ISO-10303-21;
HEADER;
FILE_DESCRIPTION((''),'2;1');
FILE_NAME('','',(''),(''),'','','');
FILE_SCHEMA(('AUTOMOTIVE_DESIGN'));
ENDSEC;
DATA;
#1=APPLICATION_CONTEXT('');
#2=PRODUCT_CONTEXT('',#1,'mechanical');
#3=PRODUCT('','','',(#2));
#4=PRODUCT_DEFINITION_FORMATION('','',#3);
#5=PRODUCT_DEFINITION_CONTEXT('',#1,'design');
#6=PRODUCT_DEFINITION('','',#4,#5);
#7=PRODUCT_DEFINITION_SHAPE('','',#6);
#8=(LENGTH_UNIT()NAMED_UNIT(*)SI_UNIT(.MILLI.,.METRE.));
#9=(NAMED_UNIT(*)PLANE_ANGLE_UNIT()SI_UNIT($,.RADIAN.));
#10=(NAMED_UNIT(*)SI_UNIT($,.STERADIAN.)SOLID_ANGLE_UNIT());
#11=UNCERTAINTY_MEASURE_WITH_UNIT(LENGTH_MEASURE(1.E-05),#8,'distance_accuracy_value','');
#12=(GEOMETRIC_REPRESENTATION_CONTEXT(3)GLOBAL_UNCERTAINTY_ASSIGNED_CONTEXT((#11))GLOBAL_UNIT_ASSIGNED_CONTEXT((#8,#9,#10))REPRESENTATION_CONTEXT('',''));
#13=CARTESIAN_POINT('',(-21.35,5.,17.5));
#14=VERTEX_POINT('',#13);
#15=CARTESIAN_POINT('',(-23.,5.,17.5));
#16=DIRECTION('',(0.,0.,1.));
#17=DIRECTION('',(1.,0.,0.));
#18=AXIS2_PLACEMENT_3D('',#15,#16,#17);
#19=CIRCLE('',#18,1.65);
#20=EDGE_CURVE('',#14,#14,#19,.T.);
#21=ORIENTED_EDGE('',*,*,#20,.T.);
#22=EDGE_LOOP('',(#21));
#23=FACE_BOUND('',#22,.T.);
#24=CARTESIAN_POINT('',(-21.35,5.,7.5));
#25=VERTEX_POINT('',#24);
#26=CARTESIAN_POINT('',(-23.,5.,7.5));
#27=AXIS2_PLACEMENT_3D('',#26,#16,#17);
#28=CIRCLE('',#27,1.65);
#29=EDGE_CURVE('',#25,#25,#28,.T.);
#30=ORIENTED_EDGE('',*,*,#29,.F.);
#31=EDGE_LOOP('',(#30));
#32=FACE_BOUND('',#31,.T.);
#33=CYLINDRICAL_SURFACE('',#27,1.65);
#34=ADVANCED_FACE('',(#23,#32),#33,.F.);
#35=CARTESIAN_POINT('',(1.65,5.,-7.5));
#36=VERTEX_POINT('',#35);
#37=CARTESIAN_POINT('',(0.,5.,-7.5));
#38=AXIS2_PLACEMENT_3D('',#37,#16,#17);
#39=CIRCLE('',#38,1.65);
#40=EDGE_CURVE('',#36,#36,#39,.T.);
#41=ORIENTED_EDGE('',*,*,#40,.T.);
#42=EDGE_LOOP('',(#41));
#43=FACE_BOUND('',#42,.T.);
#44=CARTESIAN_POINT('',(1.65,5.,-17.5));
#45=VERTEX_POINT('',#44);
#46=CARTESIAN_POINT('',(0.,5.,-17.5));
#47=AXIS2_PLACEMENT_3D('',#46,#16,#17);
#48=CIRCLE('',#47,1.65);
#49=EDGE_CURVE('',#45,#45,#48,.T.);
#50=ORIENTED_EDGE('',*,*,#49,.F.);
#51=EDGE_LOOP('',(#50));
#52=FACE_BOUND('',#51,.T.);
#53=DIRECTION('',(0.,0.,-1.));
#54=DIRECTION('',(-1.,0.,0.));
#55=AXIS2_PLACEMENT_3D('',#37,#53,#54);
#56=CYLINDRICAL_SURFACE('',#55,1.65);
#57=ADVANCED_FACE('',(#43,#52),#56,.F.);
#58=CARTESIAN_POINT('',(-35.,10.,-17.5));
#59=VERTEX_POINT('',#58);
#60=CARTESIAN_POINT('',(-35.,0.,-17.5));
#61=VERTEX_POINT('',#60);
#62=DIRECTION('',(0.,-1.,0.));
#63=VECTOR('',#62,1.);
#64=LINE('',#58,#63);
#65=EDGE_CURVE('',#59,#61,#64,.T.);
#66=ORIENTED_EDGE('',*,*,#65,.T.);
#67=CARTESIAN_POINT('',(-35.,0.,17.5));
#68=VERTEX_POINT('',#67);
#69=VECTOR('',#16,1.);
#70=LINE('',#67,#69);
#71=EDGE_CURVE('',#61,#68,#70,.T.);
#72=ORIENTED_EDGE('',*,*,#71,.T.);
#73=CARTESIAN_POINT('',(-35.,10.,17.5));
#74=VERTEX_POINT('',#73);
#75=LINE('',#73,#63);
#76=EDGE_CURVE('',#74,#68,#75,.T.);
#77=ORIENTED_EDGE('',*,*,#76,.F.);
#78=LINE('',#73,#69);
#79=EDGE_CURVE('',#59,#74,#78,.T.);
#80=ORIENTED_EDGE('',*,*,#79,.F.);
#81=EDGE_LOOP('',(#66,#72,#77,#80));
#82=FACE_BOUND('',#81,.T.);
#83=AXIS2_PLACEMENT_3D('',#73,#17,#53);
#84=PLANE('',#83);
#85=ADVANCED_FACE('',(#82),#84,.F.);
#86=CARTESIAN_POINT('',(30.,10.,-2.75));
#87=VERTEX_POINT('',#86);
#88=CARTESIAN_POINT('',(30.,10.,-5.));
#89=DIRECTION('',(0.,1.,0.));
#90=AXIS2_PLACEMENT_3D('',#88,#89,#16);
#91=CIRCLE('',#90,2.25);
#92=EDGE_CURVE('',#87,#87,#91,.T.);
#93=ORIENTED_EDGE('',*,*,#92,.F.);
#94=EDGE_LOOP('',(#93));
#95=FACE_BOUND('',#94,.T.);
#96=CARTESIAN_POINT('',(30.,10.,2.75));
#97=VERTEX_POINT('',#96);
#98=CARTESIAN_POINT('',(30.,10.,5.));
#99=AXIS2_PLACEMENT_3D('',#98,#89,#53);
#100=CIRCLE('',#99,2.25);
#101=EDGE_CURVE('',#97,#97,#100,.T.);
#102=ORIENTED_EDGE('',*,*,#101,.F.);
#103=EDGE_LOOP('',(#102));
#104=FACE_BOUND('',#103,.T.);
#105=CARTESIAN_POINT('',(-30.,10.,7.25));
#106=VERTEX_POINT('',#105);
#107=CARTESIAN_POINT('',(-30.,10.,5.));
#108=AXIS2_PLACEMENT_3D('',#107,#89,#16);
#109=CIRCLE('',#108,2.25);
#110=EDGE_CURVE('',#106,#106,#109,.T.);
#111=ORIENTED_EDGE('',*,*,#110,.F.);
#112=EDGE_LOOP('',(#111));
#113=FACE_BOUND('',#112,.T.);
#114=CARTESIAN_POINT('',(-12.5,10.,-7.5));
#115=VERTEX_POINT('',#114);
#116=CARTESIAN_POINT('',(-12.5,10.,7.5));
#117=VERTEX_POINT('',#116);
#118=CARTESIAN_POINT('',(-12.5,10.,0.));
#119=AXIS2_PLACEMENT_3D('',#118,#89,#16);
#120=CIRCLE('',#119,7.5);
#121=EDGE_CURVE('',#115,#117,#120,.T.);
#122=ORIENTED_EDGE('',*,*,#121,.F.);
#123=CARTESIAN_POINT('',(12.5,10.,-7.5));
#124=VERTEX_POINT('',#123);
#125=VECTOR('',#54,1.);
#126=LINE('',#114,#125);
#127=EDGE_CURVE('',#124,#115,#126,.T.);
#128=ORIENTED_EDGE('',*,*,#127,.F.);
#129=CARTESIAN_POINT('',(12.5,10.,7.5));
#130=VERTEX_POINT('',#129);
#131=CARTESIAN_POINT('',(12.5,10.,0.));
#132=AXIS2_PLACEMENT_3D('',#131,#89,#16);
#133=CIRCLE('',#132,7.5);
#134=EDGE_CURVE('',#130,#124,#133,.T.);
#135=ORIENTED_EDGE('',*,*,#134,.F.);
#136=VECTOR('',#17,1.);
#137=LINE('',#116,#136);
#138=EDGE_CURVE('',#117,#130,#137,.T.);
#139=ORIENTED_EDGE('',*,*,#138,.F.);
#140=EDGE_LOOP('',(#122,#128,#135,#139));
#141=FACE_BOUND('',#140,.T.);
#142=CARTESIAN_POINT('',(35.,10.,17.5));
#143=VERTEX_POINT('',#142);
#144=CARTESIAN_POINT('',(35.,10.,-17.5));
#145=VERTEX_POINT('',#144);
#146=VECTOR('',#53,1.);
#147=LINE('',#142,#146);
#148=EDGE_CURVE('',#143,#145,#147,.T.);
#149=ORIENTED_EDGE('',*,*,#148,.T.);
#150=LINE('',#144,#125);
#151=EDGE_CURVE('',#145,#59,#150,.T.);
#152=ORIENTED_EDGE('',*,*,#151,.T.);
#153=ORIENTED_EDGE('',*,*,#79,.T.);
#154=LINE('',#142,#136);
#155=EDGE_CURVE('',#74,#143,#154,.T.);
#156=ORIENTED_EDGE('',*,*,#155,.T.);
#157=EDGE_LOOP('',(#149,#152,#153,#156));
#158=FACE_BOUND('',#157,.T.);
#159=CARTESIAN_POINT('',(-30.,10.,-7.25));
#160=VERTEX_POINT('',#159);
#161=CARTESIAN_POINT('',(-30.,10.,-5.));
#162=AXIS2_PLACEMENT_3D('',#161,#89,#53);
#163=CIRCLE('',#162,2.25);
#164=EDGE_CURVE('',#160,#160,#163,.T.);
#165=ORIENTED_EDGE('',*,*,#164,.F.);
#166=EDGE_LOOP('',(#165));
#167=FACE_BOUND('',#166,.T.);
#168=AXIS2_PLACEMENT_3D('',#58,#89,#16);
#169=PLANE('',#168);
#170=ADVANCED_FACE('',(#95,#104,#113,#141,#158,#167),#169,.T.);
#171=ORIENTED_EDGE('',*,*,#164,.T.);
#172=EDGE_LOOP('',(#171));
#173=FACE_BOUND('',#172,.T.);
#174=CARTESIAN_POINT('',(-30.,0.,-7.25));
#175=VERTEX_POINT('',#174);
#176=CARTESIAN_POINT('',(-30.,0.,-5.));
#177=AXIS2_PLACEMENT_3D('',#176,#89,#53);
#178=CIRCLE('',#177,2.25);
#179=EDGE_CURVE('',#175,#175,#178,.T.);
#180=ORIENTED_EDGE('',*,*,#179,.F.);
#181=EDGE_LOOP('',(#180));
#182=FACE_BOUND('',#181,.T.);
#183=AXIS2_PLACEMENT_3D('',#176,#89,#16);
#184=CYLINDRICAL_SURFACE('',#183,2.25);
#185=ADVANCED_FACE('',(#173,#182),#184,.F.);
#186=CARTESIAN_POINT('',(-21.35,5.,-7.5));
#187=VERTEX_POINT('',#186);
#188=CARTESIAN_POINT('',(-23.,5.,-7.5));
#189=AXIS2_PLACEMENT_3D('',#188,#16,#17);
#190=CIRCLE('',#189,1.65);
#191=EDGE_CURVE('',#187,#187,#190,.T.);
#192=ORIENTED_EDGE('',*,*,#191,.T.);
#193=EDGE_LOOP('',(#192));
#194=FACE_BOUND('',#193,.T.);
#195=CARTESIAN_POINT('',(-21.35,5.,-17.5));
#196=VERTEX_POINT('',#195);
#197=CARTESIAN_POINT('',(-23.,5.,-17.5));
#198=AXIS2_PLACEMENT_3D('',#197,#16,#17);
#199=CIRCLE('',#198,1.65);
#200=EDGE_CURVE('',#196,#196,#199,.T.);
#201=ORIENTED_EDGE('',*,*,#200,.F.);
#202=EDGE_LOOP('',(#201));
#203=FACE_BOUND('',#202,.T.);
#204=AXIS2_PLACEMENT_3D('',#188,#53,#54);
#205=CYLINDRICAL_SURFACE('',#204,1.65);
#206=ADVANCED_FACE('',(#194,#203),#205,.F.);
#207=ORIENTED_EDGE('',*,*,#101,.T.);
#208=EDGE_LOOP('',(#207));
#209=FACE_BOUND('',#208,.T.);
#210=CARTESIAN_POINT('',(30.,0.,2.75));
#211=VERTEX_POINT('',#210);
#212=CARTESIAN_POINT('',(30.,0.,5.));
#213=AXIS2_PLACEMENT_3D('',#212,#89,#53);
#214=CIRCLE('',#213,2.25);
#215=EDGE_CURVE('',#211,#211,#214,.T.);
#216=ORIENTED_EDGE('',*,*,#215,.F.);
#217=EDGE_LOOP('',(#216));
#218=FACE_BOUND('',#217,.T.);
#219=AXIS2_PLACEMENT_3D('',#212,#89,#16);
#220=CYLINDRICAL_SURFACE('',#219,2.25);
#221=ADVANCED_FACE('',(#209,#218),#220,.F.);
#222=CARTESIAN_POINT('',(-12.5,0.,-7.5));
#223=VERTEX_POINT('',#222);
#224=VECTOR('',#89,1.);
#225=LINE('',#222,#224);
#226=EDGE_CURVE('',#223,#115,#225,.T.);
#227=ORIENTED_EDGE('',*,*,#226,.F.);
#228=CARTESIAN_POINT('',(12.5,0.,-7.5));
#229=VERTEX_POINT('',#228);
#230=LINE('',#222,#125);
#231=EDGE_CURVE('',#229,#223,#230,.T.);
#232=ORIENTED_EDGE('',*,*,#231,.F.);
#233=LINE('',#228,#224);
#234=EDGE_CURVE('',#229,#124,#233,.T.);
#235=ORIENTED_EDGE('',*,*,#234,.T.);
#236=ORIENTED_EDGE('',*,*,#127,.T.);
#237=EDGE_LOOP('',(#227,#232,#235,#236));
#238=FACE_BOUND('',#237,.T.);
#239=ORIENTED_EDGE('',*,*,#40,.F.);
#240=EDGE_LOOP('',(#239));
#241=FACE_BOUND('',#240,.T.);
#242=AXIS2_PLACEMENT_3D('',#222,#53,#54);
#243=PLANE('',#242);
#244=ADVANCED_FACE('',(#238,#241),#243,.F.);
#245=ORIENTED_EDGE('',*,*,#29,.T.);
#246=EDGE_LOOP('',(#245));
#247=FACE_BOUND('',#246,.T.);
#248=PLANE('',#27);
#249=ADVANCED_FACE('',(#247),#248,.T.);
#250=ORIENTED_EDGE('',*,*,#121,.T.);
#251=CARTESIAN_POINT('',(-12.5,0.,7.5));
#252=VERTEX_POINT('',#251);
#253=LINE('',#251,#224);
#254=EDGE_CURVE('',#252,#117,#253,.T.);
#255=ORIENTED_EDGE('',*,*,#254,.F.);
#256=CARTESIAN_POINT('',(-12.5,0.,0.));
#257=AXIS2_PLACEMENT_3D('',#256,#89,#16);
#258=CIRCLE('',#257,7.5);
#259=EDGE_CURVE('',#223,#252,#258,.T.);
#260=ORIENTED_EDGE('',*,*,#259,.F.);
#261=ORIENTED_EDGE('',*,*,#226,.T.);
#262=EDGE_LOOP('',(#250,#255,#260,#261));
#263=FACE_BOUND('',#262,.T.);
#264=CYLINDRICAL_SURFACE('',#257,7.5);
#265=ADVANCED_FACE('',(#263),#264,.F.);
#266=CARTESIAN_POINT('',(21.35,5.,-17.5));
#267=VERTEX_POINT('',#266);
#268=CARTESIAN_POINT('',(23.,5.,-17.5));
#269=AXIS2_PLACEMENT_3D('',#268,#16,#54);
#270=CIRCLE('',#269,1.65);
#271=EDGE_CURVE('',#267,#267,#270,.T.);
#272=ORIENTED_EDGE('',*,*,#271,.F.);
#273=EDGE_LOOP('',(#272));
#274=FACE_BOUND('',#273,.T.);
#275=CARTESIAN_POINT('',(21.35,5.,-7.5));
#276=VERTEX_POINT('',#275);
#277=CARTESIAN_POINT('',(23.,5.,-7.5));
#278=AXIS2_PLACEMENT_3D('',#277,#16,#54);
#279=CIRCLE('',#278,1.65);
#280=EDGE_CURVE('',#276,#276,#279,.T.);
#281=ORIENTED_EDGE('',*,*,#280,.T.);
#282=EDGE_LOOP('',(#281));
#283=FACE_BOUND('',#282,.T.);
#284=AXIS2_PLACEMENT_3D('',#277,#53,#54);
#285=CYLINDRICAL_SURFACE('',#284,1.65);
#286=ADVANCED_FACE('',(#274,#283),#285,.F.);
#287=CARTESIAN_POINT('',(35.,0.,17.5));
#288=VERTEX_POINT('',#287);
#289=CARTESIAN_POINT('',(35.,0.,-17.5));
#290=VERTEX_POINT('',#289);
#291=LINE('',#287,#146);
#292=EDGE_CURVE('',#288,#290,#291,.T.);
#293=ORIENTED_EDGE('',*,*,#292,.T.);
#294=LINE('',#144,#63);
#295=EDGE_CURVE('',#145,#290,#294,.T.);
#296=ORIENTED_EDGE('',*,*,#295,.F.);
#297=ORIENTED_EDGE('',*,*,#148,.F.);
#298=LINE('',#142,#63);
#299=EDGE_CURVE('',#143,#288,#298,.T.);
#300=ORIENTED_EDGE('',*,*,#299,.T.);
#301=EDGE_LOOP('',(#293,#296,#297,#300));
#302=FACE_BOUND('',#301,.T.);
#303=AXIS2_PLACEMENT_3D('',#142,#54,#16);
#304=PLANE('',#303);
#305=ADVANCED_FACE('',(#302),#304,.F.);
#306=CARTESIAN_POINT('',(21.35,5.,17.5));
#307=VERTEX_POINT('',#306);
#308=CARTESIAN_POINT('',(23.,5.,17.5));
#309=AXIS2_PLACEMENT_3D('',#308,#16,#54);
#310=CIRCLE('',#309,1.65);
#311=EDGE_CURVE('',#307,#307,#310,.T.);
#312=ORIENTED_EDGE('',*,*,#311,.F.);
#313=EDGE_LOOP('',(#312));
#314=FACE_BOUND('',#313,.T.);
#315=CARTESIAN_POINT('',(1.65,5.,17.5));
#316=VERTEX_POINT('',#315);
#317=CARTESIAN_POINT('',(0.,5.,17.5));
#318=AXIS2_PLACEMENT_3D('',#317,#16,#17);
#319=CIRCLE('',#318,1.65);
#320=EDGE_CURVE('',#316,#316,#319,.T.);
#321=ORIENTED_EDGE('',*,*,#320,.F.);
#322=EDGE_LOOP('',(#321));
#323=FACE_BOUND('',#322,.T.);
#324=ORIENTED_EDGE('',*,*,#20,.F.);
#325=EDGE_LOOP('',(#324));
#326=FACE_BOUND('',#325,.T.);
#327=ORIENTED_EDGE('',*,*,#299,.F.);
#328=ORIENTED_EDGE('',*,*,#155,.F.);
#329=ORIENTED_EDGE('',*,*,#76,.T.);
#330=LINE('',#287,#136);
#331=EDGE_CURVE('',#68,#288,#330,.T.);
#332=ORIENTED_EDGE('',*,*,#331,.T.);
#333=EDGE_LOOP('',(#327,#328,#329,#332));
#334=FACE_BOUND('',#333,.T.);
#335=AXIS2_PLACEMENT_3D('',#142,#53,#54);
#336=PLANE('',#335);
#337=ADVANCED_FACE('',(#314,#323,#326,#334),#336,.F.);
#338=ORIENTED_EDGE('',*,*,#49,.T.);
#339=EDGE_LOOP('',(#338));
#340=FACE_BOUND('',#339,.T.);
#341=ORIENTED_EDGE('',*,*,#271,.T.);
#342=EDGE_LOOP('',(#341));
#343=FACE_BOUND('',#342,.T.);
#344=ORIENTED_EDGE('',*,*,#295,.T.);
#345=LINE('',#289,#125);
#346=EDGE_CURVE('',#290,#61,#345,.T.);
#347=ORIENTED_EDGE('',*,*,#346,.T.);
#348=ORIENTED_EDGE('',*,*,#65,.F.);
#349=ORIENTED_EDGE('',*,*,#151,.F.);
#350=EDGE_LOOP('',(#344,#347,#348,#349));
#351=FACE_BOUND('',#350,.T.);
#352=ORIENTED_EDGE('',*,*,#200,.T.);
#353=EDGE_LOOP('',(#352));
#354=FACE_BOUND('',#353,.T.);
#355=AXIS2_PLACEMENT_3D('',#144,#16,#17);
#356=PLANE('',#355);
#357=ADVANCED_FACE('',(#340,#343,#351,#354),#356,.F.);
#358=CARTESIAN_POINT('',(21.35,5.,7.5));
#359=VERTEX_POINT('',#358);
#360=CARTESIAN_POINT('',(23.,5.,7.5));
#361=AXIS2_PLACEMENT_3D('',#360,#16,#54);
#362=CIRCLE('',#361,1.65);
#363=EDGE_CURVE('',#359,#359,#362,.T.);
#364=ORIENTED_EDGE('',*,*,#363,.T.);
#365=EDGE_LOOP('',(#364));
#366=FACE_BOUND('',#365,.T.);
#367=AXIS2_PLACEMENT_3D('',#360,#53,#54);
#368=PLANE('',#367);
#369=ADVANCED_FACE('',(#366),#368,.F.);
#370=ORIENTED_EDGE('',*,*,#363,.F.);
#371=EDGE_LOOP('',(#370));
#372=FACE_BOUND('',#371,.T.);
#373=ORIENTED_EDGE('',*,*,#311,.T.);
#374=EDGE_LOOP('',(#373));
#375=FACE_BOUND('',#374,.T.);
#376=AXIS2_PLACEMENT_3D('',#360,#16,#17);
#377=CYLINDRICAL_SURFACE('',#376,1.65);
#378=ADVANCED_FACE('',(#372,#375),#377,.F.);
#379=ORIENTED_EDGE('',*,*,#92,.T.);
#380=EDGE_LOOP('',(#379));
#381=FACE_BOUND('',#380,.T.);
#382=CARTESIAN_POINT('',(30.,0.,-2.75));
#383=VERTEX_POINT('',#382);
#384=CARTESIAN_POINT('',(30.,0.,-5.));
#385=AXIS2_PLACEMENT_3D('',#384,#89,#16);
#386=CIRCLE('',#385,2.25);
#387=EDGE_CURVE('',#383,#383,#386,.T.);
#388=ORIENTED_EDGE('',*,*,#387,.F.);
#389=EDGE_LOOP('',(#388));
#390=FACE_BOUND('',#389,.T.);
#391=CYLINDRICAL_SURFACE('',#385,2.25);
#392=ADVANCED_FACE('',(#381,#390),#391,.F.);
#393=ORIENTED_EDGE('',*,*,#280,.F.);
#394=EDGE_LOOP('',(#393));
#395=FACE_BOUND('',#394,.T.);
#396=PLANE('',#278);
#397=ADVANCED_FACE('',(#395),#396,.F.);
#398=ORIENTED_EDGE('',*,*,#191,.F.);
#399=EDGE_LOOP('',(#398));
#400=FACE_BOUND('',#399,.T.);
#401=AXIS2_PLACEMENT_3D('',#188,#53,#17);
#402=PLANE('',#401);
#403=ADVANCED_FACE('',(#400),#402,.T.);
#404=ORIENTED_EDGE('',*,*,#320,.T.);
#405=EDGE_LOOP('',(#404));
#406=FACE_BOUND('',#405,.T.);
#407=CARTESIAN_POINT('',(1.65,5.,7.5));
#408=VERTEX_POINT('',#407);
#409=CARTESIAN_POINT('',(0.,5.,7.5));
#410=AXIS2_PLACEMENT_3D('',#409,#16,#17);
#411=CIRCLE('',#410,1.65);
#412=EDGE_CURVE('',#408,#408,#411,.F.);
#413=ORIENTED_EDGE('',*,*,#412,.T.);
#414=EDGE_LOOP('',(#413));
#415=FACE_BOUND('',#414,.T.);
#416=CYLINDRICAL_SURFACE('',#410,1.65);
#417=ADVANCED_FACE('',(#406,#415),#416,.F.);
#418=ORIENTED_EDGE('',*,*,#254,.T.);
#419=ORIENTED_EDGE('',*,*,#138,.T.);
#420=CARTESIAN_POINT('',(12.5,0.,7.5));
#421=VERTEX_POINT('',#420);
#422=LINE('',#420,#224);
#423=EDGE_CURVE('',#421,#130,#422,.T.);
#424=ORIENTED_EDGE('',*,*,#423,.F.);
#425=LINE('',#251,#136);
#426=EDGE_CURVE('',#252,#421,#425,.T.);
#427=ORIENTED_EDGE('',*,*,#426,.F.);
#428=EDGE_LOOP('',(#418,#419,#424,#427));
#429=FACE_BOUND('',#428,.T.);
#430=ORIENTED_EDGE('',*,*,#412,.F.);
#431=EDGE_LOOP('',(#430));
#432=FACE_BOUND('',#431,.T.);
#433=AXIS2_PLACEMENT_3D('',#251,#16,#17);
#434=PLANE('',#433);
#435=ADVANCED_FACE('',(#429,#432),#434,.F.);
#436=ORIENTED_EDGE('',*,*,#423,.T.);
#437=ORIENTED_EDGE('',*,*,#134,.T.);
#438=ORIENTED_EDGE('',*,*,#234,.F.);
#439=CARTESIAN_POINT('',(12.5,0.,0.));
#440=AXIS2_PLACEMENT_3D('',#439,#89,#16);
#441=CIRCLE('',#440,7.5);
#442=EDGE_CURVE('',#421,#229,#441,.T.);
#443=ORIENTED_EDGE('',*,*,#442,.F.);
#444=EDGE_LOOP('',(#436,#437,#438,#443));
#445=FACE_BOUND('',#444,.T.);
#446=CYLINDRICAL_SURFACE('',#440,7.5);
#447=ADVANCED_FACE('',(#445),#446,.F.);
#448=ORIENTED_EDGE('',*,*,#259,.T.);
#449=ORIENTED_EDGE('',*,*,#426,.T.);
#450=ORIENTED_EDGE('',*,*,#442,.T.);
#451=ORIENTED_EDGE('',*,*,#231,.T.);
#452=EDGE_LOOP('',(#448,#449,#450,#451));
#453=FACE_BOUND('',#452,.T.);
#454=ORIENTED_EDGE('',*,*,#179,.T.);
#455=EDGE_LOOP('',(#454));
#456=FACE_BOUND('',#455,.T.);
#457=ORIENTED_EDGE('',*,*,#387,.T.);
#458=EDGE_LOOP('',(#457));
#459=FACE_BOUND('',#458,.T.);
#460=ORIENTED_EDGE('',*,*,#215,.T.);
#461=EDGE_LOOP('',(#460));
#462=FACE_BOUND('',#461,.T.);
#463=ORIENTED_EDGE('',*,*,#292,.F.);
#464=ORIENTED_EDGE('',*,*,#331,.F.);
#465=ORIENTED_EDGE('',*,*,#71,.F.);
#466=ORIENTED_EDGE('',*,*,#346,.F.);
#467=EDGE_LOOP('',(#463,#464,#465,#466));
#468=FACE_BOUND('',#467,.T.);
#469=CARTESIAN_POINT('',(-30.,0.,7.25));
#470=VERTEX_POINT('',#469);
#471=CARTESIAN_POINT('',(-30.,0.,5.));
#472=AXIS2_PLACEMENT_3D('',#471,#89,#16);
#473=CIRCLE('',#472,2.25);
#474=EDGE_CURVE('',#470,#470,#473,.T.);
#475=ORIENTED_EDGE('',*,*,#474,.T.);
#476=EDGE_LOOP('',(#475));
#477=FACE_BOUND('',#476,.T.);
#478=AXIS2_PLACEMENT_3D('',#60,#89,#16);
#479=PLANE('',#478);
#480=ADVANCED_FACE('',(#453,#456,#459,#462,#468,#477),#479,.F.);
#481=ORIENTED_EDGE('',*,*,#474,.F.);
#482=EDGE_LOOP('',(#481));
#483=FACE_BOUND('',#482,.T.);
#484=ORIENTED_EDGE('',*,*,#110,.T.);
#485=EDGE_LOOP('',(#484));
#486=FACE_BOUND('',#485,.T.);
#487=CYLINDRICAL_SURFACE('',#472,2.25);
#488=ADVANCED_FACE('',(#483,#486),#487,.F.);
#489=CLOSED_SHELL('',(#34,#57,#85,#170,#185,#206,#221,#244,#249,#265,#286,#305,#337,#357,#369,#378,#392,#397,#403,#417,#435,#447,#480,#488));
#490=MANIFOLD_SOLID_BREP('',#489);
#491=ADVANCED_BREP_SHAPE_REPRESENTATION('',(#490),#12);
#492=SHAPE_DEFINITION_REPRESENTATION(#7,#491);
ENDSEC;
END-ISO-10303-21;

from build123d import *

# Parameters (mm, degrees)
SKETCH1_W           = 70
SKETCH1_H           = 35
BOSS_EXTRUDE1_DEPTH = 10
SKETCH2_R           = 1.65
CUT_EXTRUDE1_DEPTH  = 10
CUT_EXTRUDE2_DEPTH  = 10
SKETCH4_R           = 2.25
CUT_EXTRUDE3_DEPTH  = 10


with BuildPart() as part:
    # Sketch1 → Boss-Extrude1 (new body)
    with BuildSketch(Plane(origin=(0, 0, 0), x_dir=(1, 0, 0), z_dir=(0, 1, 0))):
        Rectangle(SKETCH1_W, SKETCH1_H)
    extrude(amount=BOSS_EXTRUDE1_DEPTH)

    # Sketch2 → Cut-Extrude1 (cut)
    with BuildSketch(Plane.XY.offset(17.5)):
        with Locations((-23, 5)):
            Circle(SKETCH2_R)
        with Locations((0, 5)):
            Circle(SKETCH2_R)
        with Locations(Location((23, 5, 0), (0, 0, 180))):
            Circle(SKETCH2_R)
    cut_extrude1 = extrude(amount=-CUT_EXTRUDE1_DEPTH, mode=Mode.SUBTRACT)

    # Sketch3 → Cut-Extrude2 (cut)
    with BuildSketch(Plane(origin=(0, 10, 0), x_dir=(1, 0, 0), z_dir=(0, 1, 0))):
        with BuildLine():
            Line((-12.5, 7.5), (12.5, 7.5))
            ThreePointArc((12.5, 7.5), (20, 0), (12.5, -7.5))
            Line((12.5, -7.5), (-12.5, -7.5))
            ThreePointArc((-12.5, -7.5), (-20, 0), (-12.5, 7.5))
        make_face()
    extrude(amount=-CUT_EXTRUDE2_DEPTH, mode=Mode.SUBTRACT)

    # Sketch4 → Cut-Extrude3 (cut)
    with BuildSketch(Plane(origin=(0, 10, 0), x_dir=(1, 0, 0), z_dir=(0, 1, 0))):
        with Locations(Location((-30, -5, 0), (0, 0, 270))):
            Circle(SKETCH4_R)
        with Locations(Location((-30, 5, 0), (0, 0, 90))):
            Circle(SKETCH4_R)
        with Locations(Location((30, -5, 0), (0, 0, 90))):
            Circle(SKETCH4_R)
        with Locations(Location((30, 5, 0), (0, 0, 270))):
            Circle(SKETCH4_R)
    extrude(amount=-CUT_EXTRUDE3_DEPTH, mode=Mode.SUBTRACT)

    # Mirror1: Cut-Extrude1 across plane
    add(cut_extrude1.mirror(Plane.XY), mode=Mode.SUBTRACT)


solid = part.part
